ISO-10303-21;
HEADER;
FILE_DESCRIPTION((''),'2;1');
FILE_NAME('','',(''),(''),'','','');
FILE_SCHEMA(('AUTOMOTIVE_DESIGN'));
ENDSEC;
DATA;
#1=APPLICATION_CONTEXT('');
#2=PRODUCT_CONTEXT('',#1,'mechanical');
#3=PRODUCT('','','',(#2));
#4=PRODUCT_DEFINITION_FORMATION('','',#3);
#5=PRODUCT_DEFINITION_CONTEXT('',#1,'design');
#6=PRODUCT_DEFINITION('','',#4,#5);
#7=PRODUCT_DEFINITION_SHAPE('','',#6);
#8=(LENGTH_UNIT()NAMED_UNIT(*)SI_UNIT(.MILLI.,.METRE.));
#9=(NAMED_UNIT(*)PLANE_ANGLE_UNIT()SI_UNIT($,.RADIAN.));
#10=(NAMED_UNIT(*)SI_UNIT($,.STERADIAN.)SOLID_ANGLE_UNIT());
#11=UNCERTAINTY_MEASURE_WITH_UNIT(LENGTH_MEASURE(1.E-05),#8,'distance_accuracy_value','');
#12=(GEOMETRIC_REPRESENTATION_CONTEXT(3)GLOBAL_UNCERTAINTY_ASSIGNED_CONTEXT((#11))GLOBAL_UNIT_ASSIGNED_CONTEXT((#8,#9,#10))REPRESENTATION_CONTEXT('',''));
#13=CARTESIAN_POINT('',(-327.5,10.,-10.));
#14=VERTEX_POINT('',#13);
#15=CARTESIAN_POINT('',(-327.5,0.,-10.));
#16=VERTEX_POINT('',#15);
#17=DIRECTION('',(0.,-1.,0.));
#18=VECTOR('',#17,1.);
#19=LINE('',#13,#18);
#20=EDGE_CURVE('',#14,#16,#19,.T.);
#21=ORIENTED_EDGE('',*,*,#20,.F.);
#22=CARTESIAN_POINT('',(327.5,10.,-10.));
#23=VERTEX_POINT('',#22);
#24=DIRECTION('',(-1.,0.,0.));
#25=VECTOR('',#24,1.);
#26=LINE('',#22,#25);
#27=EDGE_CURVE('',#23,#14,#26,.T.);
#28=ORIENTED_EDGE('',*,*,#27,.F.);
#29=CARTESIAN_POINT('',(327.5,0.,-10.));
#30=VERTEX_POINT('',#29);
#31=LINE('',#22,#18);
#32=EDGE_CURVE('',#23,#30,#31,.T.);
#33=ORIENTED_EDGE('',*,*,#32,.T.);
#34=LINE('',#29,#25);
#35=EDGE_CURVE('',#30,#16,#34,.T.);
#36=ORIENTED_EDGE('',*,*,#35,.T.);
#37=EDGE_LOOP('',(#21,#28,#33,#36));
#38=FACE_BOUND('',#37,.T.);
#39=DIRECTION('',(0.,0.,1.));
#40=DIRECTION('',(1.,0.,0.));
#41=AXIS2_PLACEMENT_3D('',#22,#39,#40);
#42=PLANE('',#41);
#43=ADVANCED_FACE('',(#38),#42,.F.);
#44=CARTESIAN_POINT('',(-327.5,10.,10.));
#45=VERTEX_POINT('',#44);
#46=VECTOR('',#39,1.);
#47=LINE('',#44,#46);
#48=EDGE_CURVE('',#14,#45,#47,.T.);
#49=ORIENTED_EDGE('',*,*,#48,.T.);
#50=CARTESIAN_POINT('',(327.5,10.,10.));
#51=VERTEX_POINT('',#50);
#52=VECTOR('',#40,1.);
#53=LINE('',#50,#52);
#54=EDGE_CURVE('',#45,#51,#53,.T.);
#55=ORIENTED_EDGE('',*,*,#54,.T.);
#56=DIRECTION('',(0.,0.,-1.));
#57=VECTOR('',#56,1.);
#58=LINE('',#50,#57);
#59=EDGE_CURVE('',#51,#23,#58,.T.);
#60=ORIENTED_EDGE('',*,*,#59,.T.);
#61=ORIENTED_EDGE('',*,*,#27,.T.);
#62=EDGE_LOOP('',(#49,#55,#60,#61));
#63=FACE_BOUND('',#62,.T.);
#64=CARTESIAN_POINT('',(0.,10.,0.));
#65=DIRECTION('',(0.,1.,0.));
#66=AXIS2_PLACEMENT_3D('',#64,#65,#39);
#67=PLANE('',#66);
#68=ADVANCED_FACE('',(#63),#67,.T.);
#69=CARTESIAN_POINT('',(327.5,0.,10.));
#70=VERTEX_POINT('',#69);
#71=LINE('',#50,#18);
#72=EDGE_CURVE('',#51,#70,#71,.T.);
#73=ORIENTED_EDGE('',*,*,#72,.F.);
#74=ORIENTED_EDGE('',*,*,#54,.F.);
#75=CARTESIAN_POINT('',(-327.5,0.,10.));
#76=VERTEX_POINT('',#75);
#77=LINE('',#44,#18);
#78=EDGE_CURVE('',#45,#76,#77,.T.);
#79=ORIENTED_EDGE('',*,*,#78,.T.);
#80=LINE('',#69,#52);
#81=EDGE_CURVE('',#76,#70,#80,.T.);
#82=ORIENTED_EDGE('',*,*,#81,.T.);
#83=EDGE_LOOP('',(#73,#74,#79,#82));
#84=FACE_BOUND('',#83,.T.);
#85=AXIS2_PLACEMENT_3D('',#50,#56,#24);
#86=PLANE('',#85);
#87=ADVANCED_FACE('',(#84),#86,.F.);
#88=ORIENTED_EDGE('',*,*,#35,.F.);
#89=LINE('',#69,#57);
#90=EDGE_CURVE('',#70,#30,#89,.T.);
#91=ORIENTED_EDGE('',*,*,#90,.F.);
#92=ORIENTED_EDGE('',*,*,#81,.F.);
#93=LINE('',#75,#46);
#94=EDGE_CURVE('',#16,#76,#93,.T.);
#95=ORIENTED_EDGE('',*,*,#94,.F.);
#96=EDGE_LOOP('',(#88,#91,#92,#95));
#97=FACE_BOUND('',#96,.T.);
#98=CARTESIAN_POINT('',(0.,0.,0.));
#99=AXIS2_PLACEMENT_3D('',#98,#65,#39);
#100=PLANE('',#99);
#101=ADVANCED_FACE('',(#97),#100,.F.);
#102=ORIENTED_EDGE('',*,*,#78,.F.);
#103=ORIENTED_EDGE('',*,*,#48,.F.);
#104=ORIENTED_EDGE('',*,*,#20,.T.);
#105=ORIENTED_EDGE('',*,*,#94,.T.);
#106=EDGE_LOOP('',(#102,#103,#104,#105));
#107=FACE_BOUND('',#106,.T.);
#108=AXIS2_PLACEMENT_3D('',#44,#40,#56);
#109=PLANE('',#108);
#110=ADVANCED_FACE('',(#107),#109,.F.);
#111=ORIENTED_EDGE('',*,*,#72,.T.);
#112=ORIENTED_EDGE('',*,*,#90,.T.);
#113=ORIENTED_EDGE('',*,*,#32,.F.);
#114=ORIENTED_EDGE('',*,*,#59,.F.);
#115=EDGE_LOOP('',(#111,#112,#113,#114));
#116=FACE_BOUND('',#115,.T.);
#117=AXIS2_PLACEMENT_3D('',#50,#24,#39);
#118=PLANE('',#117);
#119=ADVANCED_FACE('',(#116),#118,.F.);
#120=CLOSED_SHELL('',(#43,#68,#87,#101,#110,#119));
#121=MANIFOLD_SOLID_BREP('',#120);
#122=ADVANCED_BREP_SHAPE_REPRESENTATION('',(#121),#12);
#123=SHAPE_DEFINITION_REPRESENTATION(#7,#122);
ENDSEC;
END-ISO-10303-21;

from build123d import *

# Parameters (mm, degrees)
ESQUISSE1_W        = 655
ESQUISSE1_H        = 20
BOSS_EXTRU_1_DEPTH = 10


with BuildPart() as part:
    # Esquisse1 → Boss.-Extru.1 (new body)
    with BuildSketch(Plane(origin=(0, 0, 0), x_dir=(1, 0, 0), z_dir=(0, 1, 0))):
        Rectangle(ESQUISSE1_W, ESQUISSE1_H)
    extrude(amount=BOSS_EXTRU_1_DEPTH)


solid = part.part
